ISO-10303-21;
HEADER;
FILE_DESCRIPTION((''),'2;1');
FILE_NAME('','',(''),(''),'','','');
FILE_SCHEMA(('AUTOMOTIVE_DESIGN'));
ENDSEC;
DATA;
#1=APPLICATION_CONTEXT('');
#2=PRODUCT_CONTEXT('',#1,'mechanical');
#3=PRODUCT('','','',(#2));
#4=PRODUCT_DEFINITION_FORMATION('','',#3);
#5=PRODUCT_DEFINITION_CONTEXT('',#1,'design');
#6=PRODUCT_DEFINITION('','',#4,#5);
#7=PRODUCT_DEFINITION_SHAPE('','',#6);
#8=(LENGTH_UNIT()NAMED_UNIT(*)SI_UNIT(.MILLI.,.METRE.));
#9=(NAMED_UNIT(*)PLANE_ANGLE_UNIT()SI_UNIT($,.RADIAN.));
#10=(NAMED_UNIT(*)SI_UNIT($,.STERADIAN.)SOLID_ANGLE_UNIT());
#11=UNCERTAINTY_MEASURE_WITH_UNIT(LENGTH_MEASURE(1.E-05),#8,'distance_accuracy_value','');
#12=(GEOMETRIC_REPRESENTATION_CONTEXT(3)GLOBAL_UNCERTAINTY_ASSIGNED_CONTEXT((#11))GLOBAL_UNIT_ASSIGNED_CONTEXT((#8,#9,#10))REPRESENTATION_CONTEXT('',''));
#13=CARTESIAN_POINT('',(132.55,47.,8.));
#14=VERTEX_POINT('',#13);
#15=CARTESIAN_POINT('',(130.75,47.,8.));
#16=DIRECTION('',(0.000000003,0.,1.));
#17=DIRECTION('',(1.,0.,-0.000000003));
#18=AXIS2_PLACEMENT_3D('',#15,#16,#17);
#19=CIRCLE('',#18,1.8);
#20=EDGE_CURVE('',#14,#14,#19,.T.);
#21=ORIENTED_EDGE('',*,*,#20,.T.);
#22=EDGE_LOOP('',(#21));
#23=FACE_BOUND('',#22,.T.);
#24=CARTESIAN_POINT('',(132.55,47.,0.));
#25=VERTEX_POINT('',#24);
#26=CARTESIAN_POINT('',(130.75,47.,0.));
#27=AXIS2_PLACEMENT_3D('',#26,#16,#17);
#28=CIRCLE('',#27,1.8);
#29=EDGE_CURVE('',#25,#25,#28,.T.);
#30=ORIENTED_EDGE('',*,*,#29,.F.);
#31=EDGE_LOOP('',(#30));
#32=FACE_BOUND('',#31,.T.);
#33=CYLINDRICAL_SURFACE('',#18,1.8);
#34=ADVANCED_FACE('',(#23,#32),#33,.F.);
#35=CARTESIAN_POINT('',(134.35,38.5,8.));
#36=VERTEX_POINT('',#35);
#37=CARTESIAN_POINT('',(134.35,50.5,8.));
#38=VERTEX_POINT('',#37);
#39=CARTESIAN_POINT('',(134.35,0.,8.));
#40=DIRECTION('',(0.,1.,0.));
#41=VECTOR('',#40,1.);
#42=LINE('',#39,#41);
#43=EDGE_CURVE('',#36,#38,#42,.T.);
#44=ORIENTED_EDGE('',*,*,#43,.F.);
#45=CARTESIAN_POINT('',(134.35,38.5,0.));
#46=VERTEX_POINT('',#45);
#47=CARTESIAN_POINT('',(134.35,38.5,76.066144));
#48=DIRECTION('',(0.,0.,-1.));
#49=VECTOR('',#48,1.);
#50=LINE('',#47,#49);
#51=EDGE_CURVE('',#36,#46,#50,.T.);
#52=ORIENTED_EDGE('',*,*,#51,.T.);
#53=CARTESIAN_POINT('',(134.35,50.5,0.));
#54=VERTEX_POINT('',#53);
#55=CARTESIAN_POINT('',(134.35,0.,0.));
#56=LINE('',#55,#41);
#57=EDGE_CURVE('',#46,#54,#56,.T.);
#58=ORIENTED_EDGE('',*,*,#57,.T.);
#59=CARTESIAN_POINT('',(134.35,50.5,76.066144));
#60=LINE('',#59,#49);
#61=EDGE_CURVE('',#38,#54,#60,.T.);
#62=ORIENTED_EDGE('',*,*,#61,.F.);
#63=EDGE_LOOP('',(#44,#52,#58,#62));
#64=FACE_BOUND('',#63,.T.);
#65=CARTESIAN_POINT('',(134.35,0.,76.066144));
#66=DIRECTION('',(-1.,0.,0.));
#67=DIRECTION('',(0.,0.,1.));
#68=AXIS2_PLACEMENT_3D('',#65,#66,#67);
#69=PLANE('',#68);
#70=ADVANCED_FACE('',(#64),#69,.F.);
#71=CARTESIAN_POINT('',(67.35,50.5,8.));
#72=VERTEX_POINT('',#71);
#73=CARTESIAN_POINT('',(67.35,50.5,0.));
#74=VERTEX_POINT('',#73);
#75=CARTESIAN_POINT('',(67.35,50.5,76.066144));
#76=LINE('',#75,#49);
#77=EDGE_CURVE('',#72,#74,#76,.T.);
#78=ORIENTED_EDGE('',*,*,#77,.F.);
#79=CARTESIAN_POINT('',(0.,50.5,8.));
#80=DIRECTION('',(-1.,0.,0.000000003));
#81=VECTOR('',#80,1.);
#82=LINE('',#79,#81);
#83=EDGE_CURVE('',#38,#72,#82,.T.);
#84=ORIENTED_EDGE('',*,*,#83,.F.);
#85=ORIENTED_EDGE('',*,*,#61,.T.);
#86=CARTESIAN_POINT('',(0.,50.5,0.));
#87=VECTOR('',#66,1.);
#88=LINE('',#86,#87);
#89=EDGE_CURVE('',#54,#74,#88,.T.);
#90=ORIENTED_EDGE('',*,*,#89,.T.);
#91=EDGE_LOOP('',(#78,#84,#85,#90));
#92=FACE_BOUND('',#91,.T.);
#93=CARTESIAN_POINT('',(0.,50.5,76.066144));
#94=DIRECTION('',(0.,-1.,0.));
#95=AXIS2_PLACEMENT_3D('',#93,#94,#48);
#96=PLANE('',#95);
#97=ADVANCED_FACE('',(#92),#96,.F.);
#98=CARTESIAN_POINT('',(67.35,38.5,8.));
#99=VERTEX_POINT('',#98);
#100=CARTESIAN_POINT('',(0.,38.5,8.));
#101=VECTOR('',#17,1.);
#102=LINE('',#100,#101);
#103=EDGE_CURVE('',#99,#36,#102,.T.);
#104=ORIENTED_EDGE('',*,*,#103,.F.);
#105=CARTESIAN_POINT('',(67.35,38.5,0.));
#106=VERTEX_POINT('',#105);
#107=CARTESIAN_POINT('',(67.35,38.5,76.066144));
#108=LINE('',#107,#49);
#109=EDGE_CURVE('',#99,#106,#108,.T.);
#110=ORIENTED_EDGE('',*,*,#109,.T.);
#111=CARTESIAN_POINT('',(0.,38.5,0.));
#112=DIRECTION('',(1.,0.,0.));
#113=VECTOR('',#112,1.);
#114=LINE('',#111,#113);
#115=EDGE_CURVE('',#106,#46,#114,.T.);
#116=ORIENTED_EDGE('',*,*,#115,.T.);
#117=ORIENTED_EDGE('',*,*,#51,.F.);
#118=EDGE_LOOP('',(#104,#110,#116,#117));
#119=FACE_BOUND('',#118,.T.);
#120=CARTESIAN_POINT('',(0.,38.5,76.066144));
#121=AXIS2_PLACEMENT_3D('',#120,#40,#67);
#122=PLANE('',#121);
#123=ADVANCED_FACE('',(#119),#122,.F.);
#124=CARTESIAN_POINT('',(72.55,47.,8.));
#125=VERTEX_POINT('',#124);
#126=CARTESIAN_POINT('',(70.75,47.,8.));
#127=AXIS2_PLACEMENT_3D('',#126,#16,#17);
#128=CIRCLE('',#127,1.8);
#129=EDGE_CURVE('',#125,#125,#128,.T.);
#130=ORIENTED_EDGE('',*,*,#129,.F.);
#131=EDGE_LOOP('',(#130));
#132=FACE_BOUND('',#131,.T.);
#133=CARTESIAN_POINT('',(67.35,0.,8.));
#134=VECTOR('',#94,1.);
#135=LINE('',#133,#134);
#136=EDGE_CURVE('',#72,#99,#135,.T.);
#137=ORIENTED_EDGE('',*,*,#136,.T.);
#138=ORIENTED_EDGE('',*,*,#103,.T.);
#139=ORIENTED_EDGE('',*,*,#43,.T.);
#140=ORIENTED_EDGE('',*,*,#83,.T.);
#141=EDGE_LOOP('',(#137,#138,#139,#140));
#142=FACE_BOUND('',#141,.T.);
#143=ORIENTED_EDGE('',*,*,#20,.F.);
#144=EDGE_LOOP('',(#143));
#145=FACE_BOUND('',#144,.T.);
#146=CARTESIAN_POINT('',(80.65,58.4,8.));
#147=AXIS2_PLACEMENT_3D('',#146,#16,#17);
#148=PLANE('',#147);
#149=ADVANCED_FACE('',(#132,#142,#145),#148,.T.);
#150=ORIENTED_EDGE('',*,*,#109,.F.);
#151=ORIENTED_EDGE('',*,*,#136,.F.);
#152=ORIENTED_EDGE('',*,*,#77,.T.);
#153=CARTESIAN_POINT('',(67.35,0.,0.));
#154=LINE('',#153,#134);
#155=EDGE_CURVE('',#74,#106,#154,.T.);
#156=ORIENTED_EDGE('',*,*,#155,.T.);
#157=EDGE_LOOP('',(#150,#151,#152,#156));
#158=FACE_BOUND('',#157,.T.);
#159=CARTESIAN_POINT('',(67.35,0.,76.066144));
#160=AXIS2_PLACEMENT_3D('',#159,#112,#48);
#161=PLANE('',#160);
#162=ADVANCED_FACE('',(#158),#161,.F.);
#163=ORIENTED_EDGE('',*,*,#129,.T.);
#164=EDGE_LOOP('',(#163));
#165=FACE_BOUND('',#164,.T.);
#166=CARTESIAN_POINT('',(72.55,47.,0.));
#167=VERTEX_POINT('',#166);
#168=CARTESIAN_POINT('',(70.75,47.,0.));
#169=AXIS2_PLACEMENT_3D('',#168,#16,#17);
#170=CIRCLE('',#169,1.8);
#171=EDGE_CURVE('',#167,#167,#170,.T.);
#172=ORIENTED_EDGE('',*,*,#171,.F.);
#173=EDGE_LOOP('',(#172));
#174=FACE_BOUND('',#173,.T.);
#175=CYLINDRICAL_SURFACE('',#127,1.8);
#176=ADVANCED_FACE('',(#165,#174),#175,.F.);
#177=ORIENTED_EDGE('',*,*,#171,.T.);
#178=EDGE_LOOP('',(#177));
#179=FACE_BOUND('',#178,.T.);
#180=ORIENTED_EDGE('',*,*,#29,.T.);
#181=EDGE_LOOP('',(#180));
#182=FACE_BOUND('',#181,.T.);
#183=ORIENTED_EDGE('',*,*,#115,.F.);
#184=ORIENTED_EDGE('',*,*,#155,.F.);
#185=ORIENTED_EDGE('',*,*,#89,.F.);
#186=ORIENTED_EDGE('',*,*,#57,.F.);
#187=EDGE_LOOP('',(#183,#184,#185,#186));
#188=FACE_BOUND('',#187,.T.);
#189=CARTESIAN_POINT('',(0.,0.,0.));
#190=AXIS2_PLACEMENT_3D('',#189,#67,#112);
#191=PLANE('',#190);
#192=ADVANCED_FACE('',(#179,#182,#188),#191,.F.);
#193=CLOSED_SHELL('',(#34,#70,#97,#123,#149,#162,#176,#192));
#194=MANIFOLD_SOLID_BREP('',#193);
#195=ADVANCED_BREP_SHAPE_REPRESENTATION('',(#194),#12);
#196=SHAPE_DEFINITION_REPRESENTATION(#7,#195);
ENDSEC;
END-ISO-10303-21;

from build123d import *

# Parameters (mm, degrees)
SKETCH2_W            = 13.3
SKETCH2_H            = 12
SKETCH2_W_2          = 40.4
BOSS_EXTRUDE1_DEPTH  = 8.000000075
M3_CLEARANCE_HOLE1_D = 3.6


with BuildPart() as part:
    # Sketch2 → Boss-Extrude1 (new body)
    with BuildSketch(Plane.XY):
        with Locations((74.00000003, 44.5)):
            Rectangle(SKETCH2_W, SKETCH2_H)
        with Locations((100.85000003, 44.5)):
            Rectangle(SKETCH2_W_2, SKETCH2_H)
        with Locations((127.70000003, 44.5)):
            Rectangle(SKETCH2_W, SKETCH2_H)
    extrude(amount=BOSS_EXTRUDE1_DEPTH)

    # M3 Clearance Hole1 (through all)
    with Locations(Plane(origin=(2.6e-08, 0, 8.00000029), x_dir=(1.0, 0, -3.199998676446638e-09), z_dir=(3.199998676446638e-09, 0, 1.0))):
        with Locations((70.750000016, 47), (130.750000016, 47)):
            Hole(M3_CLEARANCE_HOLE1_D / 2)


solid = part.part
